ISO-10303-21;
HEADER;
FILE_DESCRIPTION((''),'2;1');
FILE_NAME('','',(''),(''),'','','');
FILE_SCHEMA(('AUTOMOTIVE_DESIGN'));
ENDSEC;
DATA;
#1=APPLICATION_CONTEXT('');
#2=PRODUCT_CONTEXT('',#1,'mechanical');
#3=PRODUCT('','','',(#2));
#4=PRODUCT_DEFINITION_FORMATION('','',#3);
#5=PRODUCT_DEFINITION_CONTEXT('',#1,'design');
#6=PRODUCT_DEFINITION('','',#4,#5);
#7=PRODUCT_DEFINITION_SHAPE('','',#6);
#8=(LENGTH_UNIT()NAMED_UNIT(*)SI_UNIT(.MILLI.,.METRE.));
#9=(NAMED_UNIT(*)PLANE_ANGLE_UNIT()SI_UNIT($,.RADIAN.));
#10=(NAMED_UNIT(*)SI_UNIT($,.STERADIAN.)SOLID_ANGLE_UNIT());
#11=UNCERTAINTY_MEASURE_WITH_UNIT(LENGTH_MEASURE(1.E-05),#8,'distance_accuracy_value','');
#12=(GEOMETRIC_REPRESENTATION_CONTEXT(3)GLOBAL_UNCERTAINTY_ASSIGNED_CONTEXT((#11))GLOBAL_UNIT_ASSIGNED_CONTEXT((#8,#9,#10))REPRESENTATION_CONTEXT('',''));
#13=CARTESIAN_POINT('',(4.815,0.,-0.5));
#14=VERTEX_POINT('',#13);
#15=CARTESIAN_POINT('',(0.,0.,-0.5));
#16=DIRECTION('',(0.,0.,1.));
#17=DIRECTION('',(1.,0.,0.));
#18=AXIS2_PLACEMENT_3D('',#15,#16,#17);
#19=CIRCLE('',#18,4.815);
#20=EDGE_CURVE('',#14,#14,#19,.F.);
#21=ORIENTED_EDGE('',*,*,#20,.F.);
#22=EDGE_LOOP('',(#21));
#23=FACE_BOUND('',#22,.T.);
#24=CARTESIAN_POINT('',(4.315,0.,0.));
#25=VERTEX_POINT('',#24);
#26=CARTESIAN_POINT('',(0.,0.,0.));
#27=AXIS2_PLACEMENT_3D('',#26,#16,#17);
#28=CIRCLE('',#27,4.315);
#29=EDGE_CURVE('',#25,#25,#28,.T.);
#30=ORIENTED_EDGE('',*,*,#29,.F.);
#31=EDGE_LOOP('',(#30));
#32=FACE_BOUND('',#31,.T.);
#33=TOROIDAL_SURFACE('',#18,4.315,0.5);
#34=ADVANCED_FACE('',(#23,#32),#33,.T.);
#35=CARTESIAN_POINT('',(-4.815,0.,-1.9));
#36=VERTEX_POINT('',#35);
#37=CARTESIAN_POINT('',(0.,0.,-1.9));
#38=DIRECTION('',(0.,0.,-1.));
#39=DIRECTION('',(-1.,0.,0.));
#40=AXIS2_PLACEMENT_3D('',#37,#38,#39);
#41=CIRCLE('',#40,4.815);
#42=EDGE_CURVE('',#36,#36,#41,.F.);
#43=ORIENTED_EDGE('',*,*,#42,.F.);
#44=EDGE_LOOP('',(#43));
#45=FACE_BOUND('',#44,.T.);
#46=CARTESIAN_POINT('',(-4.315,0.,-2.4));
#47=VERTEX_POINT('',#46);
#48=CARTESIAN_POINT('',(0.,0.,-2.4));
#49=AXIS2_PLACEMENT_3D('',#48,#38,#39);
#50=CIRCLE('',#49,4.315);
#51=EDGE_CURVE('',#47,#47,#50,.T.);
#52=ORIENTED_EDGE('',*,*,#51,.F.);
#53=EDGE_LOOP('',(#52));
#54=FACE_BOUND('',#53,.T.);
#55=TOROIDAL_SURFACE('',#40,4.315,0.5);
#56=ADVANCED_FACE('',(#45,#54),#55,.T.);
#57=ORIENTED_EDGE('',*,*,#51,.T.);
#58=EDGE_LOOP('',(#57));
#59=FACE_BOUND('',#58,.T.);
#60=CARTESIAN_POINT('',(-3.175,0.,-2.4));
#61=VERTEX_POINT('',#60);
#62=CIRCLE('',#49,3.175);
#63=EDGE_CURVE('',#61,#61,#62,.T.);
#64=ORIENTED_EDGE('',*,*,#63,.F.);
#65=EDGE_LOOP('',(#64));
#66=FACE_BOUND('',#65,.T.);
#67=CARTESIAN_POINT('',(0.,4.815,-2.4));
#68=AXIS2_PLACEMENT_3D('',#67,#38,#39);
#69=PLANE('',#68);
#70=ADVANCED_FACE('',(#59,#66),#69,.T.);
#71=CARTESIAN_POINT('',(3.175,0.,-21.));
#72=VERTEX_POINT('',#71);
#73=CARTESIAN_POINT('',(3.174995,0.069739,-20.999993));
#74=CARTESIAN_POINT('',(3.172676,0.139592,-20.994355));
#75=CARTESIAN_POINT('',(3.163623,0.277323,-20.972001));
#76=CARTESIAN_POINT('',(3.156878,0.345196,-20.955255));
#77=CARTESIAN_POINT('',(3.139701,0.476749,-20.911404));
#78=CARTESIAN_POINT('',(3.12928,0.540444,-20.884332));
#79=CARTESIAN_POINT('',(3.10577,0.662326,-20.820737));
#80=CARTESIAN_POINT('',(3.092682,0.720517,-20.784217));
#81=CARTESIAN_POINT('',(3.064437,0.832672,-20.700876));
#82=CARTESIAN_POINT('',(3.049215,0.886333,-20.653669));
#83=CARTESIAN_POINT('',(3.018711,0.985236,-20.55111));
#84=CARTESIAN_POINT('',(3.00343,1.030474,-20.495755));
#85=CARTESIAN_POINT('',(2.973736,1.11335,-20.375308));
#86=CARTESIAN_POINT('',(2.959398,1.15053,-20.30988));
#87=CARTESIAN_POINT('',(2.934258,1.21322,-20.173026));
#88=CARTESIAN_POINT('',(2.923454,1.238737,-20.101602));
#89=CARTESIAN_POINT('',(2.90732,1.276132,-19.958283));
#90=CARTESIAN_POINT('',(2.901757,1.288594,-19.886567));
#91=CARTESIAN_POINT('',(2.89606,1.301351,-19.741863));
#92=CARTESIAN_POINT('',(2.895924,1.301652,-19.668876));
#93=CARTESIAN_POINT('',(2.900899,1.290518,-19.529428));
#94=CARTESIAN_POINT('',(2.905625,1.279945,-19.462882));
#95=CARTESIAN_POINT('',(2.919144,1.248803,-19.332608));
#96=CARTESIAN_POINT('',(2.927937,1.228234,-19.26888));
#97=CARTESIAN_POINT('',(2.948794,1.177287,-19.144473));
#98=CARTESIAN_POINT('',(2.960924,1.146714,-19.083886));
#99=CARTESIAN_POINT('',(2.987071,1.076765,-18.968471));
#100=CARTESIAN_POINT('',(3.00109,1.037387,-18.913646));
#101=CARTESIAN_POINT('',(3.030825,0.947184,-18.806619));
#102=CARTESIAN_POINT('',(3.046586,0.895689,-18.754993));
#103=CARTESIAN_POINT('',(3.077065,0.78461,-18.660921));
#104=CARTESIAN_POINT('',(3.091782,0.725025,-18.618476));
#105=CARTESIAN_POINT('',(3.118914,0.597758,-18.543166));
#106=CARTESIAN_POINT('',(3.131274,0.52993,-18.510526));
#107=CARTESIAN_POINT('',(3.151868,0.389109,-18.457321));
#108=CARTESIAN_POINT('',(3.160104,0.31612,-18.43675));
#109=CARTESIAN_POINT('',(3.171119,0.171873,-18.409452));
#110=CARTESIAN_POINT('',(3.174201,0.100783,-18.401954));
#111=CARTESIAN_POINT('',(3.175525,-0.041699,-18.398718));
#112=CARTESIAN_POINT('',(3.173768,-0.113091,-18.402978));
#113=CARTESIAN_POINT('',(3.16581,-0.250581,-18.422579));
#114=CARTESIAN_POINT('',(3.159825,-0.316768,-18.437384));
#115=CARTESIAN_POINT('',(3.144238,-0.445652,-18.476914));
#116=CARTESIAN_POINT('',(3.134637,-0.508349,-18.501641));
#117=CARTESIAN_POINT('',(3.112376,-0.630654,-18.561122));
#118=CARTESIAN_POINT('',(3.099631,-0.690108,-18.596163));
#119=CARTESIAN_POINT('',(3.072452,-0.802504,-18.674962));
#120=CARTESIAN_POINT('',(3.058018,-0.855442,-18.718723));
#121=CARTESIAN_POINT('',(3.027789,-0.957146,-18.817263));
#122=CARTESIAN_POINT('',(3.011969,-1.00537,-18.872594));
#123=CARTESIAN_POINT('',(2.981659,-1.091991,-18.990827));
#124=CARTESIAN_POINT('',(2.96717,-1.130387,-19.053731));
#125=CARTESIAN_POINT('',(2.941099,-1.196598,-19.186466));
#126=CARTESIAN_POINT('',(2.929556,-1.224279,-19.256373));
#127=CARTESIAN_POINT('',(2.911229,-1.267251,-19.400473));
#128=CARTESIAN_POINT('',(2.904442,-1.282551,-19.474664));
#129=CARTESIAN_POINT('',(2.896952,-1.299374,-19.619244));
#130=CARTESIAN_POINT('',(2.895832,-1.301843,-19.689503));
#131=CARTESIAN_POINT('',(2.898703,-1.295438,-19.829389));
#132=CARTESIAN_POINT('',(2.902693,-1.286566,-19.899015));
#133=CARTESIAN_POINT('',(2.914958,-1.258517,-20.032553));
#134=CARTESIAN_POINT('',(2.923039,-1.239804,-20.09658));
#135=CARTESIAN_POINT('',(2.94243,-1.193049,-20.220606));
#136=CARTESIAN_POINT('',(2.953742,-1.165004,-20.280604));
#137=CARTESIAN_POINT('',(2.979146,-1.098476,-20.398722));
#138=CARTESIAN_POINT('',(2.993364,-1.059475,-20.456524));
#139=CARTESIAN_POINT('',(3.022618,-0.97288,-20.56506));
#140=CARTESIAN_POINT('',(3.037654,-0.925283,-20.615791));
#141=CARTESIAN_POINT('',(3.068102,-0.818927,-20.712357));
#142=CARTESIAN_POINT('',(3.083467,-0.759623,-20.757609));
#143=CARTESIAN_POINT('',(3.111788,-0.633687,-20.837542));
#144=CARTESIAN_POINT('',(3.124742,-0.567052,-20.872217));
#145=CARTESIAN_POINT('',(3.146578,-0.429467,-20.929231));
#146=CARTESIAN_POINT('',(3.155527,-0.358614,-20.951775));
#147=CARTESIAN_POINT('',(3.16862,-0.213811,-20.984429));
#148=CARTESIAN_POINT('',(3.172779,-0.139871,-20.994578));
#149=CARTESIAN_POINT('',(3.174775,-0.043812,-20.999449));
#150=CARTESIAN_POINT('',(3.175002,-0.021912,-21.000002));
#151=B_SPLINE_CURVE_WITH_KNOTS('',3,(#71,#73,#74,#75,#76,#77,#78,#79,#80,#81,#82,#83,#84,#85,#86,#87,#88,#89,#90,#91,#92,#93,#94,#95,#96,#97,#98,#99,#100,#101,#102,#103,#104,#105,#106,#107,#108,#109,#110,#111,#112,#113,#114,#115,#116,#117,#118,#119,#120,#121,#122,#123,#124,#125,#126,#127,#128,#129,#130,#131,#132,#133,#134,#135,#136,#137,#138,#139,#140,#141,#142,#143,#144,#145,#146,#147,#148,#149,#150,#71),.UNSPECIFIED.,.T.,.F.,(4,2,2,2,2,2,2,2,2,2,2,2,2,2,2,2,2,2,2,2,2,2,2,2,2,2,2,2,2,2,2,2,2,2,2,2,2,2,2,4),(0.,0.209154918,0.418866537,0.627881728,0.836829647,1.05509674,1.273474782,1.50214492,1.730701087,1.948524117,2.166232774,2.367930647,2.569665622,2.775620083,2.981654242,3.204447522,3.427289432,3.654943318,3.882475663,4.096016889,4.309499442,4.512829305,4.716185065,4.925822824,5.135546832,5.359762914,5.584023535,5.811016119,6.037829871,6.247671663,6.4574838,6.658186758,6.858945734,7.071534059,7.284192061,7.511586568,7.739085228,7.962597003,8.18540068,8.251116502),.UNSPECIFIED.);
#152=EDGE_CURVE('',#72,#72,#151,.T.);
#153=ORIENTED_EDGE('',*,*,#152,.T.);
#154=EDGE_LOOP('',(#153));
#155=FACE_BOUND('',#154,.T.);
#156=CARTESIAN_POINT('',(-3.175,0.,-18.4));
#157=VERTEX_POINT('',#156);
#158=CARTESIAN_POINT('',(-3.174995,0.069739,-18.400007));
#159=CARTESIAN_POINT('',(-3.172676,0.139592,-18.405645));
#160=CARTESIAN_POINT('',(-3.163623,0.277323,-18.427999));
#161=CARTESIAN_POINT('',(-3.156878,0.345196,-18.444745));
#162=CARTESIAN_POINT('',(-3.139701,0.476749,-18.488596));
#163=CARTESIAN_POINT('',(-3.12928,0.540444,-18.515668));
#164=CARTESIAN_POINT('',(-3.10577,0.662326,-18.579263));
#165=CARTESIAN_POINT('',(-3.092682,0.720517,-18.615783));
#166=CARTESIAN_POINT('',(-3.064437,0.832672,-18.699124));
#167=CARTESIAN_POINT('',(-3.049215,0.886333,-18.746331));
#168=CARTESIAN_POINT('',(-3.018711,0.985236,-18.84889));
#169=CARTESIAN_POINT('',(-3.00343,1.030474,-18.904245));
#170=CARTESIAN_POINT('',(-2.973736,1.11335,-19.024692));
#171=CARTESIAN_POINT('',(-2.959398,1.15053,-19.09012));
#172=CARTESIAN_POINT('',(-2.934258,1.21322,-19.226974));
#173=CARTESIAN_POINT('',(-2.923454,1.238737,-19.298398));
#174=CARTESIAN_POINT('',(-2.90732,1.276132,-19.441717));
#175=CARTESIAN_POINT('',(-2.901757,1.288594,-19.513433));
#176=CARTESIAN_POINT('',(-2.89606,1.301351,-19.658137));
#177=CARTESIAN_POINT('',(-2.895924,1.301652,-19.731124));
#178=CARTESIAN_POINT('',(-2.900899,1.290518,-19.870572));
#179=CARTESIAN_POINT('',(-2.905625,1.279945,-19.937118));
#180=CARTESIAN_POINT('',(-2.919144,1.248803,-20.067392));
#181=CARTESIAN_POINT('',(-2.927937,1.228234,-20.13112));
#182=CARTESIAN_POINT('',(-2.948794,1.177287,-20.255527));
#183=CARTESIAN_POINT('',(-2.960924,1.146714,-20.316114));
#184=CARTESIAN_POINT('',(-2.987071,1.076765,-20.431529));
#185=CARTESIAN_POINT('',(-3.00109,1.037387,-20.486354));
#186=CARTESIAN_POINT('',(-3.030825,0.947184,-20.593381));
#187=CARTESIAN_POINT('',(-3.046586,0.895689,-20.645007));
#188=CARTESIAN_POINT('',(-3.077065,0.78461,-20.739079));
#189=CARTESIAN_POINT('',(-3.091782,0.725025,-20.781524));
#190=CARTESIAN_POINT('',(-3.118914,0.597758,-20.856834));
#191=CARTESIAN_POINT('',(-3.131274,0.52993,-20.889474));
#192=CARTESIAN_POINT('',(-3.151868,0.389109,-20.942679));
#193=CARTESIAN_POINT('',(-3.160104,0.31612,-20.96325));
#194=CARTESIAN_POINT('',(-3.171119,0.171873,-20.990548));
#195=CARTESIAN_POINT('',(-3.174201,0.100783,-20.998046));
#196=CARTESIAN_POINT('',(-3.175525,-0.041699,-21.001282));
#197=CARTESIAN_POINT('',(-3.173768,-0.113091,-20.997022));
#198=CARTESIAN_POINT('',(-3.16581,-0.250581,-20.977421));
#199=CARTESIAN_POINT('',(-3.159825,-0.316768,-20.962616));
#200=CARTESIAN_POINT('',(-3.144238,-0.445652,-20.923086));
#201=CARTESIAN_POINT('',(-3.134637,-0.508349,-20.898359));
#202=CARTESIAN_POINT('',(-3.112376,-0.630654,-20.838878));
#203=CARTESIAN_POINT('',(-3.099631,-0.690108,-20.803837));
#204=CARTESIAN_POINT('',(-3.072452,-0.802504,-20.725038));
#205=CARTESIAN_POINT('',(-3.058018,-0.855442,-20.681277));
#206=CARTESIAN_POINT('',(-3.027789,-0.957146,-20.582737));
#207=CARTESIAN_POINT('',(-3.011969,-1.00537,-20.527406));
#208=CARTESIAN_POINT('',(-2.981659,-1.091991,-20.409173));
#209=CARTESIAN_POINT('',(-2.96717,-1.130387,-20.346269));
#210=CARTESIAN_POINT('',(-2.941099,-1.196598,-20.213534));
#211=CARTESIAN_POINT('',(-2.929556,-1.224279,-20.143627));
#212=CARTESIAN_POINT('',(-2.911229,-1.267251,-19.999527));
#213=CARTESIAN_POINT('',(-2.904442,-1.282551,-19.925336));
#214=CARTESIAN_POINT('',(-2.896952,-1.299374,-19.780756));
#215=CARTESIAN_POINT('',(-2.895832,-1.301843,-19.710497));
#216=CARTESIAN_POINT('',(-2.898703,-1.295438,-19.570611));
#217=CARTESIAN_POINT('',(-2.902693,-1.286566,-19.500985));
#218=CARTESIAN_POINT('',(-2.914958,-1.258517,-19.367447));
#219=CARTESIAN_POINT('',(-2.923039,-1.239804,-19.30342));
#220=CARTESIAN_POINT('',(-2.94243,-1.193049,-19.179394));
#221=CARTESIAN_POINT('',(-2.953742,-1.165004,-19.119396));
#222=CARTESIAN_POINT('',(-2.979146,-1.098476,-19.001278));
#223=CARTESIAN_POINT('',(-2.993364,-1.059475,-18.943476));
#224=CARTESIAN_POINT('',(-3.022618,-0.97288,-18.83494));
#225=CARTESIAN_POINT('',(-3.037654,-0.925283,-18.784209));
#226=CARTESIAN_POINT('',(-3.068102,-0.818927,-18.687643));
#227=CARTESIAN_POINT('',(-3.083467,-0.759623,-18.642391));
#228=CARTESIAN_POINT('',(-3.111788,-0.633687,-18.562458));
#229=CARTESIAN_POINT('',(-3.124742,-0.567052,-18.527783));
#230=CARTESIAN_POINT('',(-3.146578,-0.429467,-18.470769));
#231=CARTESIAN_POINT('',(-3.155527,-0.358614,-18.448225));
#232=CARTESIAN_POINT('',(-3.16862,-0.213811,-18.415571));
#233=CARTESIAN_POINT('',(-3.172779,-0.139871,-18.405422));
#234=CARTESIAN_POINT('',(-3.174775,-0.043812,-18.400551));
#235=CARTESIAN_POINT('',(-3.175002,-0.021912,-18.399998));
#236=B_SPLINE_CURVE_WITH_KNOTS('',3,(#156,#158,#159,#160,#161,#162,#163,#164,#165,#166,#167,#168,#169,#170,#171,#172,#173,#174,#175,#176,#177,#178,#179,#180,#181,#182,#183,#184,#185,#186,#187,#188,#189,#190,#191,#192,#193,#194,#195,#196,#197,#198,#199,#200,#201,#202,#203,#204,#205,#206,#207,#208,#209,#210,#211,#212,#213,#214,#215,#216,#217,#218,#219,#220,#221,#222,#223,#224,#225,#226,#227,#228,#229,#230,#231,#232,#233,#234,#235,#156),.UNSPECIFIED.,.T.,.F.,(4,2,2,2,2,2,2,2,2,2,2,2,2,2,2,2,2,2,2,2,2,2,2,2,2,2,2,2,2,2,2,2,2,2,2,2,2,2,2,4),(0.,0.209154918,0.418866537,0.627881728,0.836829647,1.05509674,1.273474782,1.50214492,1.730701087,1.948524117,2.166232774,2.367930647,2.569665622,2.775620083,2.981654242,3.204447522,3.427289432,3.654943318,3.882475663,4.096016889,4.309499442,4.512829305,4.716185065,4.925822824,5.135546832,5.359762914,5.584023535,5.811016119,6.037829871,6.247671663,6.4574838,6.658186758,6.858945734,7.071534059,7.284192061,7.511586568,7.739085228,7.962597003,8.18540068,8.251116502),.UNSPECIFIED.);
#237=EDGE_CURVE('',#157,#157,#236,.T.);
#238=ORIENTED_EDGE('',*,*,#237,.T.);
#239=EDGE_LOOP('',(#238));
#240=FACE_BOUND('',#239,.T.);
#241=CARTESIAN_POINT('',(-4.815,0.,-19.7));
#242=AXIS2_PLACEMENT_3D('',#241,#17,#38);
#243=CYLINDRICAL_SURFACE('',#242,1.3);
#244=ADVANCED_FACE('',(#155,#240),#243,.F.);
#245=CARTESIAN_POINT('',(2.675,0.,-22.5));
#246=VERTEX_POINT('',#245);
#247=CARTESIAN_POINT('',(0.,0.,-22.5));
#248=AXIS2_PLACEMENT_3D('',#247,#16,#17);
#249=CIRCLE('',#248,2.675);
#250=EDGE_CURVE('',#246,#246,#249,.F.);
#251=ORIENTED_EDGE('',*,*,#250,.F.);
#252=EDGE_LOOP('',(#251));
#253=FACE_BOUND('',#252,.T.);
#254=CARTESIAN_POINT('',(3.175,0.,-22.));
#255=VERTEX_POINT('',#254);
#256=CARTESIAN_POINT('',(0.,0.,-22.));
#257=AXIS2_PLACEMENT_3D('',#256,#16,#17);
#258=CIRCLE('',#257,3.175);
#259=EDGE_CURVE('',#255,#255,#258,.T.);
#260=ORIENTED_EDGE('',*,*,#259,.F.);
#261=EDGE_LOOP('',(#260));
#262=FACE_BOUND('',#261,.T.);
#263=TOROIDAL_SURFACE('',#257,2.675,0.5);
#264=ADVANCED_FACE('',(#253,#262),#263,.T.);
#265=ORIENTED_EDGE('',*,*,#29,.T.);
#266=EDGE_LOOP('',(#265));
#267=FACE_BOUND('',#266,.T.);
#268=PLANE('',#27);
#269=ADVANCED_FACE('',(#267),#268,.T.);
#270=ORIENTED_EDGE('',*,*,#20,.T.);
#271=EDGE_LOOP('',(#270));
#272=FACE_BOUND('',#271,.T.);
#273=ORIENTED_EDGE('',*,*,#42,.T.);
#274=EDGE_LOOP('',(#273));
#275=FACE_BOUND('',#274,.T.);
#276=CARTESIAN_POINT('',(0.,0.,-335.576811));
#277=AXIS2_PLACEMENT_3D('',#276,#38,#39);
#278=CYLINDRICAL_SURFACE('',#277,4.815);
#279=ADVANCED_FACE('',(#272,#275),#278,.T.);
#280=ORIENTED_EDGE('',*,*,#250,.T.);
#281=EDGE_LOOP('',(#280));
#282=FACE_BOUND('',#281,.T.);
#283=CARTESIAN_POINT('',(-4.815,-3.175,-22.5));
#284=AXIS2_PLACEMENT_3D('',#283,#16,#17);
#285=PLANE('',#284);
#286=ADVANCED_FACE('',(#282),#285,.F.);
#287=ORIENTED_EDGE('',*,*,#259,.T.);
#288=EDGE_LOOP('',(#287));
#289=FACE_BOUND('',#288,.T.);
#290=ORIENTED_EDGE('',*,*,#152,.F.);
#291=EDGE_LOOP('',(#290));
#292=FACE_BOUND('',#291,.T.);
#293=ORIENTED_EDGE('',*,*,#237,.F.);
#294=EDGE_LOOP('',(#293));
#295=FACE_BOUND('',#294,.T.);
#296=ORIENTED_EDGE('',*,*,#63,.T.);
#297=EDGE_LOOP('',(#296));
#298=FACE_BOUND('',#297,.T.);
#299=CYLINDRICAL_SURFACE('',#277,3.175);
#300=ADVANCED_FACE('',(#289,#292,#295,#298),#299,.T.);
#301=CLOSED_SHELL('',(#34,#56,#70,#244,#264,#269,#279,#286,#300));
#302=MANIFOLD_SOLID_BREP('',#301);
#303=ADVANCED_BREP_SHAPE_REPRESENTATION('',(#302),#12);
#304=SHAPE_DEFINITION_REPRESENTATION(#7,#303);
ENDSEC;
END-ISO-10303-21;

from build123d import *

# Parameters (mm, degrees)
CUT_EXTRUDE1_DEPTH      = 54.63402325
CUT_EXTRUDE1_DEPTH_BACK = 54.63402325
SKETCH2_R               = 1.3
F7F_R                   = 0.5
CUT_EXTRUDE2_DEPTH      = 54.634023349
CUT_EXTRUDE2_DEPTH_BACK = 54.634023349
SKETCH3_W               = 6.35
SKETCH3_H               = 30.7
FILLET1_R               = 0.5


with BuildPart() as part:
    # Sketch1 → Revolve1 (revolve)
    with BuildSketch(Plane.YZ, mode=Mode.PRIVATE) as revolve1_sk:
        Polygon((0, 0), (4.815, 0), (4.815, -2.4), (3.175, -2.4), (3.175, -53.2), (0, -53.2), align=None)
    revolve(revolve1_sk.sketch.rotate(Axis((0, 0, -335.576810525), (0, 0, 1)), 90), axis=Axis((0, 0, -335.576810525), (0, 0, 1)))

    # Sketch2 → Cut-Extrude1 (cut, two sides: drawn at the far end of the back side and taken through both)
    with BuildSketch(Plane.YZ.offset(-CUT_EXTRUDE1_DEPTH_BACK)):
        with Locations(Location((0, -47.7, 0), (0, 0, 270.000000002))):
            Circle(SKETCH2_R)
        with Locations(Location((0, -42.1, 0), (0, 0, 270.000000002))):
            Circle(SKETCH2_R)
        with Locations(Location((0, -25.3, 0), (0, 0, 270.000000002))):
            Circle(SKETCH2_R)
        with Locations(Location((0, -30.9, 0), (0, 0, 270.000000002))):
            Circle(SKETCH2_R)
        with Locations(Location((0, -36.5, 0), (0, 0, 270.000000002))):
            Circle(SKETCH2_R)
        with Locations(Location((0, -19.7, 0), (0, 0, 270.000000002))):
            Circle(SKETCH2_R)
    extrude(amount=CUT_EXTRUDE1_DEPTH + CUT_EXTRUDE1_DEPTH_BACK, mode=Mode.SUBTRACT)

    # f7f
    f7f_edges = [part.edges().sort_by_distance(p)[0] for p in [
        (4.815, 0, -2.4),
        (4.815, 0, 0),
    ]]
    fillet(f7f_edges, radius=F7F_R)

    # Sketch3 → Cut-Extrude2 (cut, two sides: drawn at the far end of the back side and taken through both)
    with BuildSketch(Plane.YZ.offset(-CUT_EXTRUDE2_DEPTH_BACK)):
        with Locations((0, -37.85)):
            Rectangle(SKETCH3_W, SKETCH3_H)
    extrude(amount=CUT_EXTRUDE2_DEPTH + CUT_EXTRUDE2_DEPTH_BACK, mode=Mode.SUBTRACT)

    # Fillet1
    fillet1_edges = [part.edges().sort_by_distance(p)[0] for p in [
        (3.175, 0, -22.5),
    ]]
    fillet(fillet1_edges, radius=FILLET1_R)


solid = part.part
